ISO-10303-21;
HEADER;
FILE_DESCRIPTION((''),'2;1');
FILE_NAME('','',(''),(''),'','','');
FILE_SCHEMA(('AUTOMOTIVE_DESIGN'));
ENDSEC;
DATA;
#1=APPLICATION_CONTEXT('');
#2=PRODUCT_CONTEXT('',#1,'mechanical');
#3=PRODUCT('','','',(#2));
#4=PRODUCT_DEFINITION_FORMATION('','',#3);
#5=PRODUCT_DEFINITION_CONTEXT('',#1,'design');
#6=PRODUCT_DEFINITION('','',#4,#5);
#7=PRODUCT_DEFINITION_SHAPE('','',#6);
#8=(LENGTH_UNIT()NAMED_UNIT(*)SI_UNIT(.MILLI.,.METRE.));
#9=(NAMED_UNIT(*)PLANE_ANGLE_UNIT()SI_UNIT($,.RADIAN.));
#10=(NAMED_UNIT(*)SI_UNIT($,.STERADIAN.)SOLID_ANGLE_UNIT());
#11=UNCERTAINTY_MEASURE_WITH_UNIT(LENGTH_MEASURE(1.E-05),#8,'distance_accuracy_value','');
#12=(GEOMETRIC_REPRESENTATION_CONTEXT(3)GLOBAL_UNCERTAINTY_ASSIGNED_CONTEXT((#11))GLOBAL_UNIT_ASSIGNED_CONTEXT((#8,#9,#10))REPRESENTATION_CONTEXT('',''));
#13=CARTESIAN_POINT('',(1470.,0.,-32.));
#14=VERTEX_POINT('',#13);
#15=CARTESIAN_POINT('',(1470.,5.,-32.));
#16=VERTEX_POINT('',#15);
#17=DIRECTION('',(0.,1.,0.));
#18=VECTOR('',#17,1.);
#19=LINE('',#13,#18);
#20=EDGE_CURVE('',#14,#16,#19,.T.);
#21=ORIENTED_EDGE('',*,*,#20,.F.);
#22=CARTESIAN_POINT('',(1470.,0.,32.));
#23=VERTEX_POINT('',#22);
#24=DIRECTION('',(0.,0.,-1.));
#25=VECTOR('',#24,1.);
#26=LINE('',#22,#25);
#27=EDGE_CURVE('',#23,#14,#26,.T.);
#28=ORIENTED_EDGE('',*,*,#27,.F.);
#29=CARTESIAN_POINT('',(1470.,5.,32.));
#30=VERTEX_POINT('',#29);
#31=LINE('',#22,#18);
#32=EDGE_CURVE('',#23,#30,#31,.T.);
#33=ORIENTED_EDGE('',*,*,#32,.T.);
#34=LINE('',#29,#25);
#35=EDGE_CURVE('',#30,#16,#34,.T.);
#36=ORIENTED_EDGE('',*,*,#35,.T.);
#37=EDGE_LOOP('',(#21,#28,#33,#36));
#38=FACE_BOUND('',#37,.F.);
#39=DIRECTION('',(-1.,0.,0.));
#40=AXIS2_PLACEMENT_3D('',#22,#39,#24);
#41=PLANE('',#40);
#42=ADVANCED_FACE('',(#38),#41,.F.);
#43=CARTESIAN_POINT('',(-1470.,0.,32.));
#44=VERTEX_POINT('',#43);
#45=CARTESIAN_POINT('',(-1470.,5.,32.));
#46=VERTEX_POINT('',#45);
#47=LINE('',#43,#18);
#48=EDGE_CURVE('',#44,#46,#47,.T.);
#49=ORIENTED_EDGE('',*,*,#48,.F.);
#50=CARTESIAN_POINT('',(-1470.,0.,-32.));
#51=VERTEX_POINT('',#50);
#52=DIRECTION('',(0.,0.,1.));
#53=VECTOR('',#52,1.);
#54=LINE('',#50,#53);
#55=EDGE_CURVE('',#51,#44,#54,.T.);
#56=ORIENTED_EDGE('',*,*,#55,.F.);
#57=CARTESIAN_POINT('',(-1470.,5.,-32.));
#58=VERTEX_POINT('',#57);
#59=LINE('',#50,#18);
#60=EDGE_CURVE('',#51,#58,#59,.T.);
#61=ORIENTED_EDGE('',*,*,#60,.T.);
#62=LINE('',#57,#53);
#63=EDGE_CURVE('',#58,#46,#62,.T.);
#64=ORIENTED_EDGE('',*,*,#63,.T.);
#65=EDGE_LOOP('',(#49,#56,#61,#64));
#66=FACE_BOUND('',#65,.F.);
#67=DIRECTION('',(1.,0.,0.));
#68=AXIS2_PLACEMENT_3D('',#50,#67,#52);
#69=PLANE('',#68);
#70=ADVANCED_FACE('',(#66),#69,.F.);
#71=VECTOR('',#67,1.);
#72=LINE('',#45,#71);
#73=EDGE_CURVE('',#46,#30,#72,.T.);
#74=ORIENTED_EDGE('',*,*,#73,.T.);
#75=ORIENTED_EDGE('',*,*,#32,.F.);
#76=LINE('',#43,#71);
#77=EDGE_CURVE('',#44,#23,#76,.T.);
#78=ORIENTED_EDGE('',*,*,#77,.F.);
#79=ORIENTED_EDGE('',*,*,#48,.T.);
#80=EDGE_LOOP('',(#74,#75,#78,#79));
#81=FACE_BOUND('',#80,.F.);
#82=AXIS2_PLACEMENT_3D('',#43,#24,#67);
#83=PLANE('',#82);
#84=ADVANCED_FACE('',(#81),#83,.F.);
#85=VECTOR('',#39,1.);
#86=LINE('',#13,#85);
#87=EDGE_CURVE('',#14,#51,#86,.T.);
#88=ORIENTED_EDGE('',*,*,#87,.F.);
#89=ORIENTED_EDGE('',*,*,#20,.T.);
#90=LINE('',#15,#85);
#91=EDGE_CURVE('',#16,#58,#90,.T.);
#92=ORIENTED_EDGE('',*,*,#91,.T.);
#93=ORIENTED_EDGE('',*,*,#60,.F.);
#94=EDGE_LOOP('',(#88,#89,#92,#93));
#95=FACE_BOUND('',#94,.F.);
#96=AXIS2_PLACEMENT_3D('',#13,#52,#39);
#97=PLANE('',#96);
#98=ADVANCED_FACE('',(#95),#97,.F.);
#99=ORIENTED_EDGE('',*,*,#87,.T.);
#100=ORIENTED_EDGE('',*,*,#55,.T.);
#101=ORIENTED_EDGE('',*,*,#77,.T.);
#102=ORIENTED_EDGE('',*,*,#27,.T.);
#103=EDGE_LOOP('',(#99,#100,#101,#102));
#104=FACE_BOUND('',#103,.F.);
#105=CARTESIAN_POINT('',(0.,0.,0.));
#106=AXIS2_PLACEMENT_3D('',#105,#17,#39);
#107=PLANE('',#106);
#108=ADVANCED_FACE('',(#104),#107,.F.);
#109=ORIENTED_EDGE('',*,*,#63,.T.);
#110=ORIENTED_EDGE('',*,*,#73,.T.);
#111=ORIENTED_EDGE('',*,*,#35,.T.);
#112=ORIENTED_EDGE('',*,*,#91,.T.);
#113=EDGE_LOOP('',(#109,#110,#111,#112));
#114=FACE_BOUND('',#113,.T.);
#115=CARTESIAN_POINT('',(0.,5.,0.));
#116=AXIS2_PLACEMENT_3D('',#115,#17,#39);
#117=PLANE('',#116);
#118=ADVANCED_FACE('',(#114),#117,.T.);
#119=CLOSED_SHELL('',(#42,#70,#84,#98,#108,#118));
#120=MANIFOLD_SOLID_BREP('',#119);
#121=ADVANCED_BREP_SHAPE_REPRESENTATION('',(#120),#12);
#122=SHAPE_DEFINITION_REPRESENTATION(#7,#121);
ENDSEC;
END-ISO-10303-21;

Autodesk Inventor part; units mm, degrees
ref_plane "YZ Plane" through (0, 0, 0) normal (1, 0, 0) x (0, 1, 0)
ref_plane "XZ Plane" through (0, 0, 0) normal (0, 1, 0) x (-1, 0, 0)
ref_plane "XY Plane" through (0, 0, 0) normal (0, 0, 1) x (1, 0, 0)
sketch "Эскиз1" plane through (0, 0, 0) normal (0, 1, 0) x (-1, 0, 0)
  line L0 (1470, 32) -> (-1470, 32)
  line L1 (-1470, 32) -> (-1470, -32)
  line L2 (-1470, -32) -> (1470, -32)
  line L3 (1470, -32) -> (1470, 32)
  line L4 (1470, 32) -> (-1470, -32) construction
  line L5 (-1470, 32) -> (1470, -32) construction
  point P0 (0, 0)
  dimension "d0" = 2940
  dimension "d1" = 64
extrude "Пластина1" add sketch "Эскиз1" along normal blind 5
equation "\"d2\" = Толщина"
equation "\"Радиус_гибки\" = Толщина"
equation "\"Ширина_просечки\" = Толщина"
equation "\"Глубина_просечки\" = 0.5 * Толщина"
equation "\"Радиус_перехода\" = Радиус_гибки"
equation "\"Радиус_Якоби\" = Радиус_гибки"
equation "\"Размер_зазора\" = Толщина"
equation "\"Толщина\" = 5"
properties part number "0922_CPY"
